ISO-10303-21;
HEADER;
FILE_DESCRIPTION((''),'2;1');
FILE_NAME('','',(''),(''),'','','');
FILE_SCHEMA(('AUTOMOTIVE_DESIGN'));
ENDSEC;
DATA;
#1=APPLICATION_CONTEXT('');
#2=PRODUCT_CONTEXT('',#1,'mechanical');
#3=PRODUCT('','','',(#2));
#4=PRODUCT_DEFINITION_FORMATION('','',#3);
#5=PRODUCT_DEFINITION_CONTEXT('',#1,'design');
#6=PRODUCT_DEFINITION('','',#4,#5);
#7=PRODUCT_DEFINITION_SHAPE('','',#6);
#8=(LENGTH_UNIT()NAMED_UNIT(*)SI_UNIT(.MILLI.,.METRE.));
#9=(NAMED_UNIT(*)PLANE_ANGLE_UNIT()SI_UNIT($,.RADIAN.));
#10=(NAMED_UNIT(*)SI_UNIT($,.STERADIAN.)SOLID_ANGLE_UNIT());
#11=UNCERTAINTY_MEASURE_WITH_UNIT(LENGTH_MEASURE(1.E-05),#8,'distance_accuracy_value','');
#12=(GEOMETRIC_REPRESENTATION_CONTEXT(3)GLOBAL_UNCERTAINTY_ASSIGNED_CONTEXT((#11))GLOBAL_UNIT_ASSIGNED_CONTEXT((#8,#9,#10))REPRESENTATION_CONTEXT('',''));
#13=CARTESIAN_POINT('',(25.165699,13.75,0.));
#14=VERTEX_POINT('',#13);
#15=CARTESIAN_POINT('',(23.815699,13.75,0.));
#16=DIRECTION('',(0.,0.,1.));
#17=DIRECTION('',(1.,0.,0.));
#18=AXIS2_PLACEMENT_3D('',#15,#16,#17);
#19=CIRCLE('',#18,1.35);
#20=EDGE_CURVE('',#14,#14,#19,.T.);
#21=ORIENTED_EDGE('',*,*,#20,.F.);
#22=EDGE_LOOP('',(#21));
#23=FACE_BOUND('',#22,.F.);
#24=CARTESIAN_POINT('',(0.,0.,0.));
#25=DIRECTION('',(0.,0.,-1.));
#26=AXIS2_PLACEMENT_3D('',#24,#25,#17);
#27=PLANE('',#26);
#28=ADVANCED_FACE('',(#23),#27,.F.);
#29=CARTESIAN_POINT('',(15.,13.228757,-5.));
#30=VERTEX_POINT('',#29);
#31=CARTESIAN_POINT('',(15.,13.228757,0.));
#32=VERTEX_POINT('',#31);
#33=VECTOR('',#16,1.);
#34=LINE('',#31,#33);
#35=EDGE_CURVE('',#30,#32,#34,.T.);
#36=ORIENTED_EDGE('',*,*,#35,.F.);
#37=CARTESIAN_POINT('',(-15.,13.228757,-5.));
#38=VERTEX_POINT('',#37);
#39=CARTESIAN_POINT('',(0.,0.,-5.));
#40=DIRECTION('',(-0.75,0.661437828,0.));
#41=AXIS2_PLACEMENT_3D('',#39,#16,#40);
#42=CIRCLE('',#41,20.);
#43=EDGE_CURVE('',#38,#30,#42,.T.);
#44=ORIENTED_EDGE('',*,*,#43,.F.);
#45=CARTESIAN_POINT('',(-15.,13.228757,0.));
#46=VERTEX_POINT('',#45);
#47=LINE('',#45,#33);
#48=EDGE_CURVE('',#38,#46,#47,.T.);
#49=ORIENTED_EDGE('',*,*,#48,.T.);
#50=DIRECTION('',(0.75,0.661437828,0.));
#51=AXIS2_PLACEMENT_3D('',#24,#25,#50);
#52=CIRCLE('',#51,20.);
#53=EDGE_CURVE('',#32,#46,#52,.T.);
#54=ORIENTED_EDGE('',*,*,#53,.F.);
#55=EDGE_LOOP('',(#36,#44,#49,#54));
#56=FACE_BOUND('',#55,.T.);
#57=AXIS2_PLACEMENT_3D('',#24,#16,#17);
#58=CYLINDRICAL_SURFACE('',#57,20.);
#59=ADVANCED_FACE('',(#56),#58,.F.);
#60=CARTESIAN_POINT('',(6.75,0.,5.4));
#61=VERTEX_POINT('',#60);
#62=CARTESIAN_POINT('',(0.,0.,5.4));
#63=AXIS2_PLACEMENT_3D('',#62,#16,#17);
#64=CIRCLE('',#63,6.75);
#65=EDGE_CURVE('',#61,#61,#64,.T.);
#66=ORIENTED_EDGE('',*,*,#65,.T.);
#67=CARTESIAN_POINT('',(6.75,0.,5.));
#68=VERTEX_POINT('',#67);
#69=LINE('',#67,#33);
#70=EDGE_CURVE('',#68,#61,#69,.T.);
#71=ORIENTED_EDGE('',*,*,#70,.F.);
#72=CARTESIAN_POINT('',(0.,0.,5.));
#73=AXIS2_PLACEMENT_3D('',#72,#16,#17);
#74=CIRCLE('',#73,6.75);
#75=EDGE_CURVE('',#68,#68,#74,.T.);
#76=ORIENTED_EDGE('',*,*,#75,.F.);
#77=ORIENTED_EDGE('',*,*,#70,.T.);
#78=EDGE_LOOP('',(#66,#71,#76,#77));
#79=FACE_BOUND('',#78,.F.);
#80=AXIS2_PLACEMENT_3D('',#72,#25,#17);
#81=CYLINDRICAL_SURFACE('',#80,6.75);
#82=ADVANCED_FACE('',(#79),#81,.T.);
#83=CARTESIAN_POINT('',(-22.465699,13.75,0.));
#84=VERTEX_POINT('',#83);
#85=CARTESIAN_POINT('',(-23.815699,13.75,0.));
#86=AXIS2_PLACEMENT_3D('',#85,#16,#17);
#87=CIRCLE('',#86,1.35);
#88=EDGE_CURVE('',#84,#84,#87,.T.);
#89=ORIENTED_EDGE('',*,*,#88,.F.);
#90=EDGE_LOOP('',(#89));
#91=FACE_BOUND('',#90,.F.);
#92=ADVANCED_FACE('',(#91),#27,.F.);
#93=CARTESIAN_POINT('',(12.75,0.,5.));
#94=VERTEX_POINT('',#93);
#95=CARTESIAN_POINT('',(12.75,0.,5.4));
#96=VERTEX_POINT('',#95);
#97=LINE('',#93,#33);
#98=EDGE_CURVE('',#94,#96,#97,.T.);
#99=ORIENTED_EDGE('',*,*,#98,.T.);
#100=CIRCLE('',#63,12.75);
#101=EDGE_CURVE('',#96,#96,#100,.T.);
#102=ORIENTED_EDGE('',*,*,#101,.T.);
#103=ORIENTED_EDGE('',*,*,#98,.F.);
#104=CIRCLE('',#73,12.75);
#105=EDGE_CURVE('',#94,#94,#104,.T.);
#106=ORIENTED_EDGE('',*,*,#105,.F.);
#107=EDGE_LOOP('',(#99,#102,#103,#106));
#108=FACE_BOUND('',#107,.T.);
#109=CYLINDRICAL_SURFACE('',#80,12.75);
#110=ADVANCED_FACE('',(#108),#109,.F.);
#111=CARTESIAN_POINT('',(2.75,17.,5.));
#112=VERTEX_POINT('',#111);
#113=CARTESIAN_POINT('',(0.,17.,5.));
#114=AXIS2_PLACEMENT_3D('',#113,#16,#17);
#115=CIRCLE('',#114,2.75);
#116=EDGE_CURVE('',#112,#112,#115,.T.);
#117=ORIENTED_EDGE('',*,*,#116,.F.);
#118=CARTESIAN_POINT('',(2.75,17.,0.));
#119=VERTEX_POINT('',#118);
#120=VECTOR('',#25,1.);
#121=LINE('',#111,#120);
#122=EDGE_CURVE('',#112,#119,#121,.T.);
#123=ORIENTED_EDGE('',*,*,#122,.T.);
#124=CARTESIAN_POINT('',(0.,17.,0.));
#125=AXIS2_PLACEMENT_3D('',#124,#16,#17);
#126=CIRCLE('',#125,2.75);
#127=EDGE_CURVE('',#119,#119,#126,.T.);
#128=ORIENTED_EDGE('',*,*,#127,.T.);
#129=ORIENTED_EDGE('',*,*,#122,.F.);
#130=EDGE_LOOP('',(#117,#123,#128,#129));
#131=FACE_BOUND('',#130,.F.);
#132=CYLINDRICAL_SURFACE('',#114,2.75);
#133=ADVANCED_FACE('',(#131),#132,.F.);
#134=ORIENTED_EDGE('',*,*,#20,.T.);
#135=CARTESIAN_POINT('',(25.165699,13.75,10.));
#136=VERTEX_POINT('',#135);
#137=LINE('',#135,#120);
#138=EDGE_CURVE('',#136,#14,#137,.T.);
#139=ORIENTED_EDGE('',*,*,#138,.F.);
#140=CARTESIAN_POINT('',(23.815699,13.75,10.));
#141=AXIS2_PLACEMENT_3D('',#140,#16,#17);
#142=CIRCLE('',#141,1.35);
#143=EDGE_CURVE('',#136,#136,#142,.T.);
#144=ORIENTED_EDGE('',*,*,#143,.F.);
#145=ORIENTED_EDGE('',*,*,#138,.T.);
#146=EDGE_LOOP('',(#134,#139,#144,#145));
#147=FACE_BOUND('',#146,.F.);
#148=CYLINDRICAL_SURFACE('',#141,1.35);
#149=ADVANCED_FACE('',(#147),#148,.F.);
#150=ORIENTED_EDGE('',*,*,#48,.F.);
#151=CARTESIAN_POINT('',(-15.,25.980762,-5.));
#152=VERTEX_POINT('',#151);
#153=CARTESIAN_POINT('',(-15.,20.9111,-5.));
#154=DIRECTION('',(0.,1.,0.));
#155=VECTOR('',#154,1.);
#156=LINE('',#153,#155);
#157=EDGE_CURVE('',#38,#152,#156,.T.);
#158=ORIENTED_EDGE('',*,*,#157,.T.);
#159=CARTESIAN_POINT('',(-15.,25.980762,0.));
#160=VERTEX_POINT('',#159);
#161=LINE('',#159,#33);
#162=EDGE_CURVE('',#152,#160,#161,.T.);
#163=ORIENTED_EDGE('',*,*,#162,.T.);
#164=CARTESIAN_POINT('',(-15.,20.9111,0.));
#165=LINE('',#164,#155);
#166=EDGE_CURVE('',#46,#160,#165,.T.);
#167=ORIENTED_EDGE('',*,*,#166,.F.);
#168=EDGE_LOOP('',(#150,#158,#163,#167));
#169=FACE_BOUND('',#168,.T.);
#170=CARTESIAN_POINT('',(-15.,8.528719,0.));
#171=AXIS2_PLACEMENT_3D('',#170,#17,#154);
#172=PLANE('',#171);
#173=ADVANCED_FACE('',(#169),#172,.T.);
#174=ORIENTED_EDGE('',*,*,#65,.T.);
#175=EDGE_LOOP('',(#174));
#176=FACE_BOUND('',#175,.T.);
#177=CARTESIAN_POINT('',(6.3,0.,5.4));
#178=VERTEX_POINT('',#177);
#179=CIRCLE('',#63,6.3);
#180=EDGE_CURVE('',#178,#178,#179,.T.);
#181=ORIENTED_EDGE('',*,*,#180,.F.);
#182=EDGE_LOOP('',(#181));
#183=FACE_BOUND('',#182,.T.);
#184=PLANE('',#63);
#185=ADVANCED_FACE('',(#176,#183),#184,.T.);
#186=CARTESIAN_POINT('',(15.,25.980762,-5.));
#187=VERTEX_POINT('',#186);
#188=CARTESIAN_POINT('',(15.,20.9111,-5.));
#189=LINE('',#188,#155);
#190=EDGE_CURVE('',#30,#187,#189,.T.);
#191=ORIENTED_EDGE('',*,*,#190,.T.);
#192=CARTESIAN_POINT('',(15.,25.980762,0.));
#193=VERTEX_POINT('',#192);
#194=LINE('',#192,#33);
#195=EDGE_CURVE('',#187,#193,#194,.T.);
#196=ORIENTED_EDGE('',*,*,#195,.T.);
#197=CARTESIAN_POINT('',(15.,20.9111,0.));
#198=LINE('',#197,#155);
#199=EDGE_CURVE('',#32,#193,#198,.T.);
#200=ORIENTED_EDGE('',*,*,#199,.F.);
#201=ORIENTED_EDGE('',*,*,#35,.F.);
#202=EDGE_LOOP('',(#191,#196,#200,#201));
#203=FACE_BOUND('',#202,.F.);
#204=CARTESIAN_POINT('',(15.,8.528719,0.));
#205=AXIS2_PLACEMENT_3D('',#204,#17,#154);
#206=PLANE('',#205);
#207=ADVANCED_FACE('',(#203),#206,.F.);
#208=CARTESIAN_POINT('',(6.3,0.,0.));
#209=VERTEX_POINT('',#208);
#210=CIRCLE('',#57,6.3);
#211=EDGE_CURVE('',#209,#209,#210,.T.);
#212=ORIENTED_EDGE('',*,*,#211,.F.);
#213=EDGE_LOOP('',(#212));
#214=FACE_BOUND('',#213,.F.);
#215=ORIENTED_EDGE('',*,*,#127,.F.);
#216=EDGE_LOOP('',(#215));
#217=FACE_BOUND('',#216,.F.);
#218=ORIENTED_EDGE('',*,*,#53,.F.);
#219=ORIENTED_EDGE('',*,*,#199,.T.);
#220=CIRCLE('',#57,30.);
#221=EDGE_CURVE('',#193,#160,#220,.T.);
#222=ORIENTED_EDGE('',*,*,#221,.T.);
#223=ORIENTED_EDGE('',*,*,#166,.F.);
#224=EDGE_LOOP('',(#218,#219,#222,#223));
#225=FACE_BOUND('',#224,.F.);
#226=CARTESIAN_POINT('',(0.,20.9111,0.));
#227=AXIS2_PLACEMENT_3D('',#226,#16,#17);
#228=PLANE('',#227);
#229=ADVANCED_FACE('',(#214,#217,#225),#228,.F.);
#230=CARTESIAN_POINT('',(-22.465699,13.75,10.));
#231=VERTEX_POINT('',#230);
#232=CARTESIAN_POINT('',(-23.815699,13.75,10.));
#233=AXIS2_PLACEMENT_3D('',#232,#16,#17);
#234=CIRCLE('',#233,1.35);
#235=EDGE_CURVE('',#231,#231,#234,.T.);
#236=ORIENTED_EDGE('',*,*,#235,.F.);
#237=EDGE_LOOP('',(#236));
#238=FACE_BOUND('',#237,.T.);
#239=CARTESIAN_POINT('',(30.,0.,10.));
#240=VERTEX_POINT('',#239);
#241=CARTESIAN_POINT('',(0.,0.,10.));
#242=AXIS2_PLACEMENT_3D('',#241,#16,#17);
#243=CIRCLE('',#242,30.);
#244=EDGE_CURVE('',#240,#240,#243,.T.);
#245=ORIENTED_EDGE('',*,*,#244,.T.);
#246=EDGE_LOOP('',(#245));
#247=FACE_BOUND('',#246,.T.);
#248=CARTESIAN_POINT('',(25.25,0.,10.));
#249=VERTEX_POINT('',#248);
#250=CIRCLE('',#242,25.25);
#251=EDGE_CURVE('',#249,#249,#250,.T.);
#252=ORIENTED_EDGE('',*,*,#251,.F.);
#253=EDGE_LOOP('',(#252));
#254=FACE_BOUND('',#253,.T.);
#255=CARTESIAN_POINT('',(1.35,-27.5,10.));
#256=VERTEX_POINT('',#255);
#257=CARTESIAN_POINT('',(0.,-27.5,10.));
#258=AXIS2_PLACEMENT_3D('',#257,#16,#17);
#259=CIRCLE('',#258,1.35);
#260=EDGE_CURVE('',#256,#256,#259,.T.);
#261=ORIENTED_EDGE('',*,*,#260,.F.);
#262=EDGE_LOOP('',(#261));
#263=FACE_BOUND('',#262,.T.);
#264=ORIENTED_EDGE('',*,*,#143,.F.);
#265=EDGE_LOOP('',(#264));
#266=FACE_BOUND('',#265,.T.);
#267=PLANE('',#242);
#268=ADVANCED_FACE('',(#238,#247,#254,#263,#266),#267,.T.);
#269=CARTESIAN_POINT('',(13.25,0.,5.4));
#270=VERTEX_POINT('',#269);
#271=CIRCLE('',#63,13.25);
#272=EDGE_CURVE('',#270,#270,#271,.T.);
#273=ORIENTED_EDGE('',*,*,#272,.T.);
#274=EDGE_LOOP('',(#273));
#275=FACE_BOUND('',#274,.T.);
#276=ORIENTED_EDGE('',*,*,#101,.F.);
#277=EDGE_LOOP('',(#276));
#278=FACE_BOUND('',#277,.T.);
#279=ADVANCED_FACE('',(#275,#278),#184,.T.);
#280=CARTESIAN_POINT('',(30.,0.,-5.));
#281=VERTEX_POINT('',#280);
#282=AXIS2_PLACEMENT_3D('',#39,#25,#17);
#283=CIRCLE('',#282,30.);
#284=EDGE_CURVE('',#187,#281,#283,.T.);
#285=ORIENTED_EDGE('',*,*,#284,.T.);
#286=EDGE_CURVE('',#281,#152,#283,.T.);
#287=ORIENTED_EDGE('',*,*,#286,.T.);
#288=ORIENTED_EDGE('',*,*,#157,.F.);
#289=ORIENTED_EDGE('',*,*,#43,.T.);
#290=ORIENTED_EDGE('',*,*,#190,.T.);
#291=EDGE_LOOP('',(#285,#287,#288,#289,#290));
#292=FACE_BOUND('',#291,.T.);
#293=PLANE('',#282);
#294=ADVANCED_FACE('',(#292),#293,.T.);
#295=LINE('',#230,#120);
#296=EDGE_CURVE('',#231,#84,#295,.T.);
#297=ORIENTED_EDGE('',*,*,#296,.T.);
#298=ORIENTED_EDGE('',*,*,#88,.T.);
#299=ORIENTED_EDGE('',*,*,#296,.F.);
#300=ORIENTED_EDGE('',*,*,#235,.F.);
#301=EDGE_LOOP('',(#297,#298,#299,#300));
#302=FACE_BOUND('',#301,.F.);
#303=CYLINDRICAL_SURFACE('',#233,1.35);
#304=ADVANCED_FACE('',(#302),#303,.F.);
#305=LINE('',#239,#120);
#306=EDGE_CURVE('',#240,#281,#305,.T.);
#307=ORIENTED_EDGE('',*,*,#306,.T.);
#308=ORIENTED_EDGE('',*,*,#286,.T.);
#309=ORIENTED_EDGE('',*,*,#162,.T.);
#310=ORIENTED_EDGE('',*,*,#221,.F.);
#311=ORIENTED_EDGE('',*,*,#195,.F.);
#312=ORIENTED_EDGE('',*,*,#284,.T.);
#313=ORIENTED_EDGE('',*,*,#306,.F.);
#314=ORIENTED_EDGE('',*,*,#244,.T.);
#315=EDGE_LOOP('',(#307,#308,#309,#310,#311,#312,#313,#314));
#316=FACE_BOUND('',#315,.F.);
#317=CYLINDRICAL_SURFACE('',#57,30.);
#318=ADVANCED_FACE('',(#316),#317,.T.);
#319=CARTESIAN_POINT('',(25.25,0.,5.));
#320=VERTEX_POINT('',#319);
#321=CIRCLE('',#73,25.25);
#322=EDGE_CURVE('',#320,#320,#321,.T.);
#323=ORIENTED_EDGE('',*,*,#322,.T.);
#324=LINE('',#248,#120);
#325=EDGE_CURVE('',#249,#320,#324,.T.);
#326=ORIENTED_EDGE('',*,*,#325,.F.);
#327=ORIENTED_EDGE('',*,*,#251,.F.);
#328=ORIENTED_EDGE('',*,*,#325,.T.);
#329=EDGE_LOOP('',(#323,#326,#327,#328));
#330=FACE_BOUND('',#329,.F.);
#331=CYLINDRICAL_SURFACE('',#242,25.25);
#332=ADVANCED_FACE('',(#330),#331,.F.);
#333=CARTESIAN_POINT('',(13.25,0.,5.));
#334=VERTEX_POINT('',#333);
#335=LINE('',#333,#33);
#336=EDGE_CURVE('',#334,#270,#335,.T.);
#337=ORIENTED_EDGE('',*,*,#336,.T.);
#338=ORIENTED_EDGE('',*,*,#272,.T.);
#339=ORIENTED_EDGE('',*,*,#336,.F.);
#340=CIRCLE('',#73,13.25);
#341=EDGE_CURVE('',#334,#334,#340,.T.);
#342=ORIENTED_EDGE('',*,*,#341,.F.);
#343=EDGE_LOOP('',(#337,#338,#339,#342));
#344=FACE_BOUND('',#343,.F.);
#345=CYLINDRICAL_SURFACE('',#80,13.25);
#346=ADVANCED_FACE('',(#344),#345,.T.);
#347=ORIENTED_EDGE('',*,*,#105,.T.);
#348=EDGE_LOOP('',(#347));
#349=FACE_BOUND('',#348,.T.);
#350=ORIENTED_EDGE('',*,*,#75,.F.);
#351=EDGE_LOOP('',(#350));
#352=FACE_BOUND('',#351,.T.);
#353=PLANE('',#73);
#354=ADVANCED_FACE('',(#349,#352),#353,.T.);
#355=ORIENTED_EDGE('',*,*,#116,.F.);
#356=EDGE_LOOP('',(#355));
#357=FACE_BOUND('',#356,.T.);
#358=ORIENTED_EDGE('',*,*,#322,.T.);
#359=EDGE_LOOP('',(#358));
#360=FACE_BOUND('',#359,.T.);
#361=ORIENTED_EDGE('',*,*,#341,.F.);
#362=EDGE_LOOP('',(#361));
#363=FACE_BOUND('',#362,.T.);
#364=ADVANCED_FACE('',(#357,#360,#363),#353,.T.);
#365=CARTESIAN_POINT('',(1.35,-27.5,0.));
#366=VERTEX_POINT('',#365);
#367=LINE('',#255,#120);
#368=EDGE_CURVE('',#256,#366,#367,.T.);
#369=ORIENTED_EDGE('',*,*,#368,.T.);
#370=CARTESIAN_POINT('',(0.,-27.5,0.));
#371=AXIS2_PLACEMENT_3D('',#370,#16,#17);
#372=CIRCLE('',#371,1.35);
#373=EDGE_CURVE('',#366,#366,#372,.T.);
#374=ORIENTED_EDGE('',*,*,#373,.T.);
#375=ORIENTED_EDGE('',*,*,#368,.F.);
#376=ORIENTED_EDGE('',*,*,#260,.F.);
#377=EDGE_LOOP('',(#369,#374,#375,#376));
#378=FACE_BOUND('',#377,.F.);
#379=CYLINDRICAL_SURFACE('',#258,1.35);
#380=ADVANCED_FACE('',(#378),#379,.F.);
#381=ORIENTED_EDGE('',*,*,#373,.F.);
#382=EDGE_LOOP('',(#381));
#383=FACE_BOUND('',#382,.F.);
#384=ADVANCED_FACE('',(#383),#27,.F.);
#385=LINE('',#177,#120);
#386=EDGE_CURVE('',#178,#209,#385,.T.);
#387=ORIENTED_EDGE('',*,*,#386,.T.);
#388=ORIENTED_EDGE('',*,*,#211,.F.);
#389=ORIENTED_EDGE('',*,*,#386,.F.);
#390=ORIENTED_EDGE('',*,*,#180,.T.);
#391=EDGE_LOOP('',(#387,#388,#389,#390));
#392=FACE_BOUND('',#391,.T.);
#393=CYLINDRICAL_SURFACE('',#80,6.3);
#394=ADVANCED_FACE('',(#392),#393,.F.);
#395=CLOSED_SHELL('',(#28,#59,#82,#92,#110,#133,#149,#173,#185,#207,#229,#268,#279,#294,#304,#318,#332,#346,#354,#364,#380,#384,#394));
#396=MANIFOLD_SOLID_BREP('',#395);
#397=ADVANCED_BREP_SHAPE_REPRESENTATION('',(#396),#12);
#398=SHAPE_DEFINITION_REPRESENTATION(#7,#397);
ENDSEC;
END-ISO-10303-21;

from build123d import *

# Parameters (mm, degrees)
F0_R      = 30
F1_DEPTH  = 10
F2_R      = 25.25
F3_DEPTH  = 5
F4_R      = 6.3
F5_DEPTH  = 10.001
F6_R      = 1.35
F7_DEPTH  = 10.001
F8_R      = 2.75
F9_DEPTH  = 5.001
F10_R     = 30
F10_R_2   = 20
F11_DEPTH = 5
F12_W     = 30
F12_H     = 24.7647633499
F13_DEPTH = 5
F14_R     = 13.25
F14_R_2   = 12.75
F14_R_3   = 6.75
F14_R_4   = 6.3
F15_DEPTH = 0.4


with BuildPart() as f1:
    # F0 (on Top) → F1 (new body)
    with BuildSketch(Plane.XY):
        Circle(F0_R)
    extrude(amount=F1_DEPTH)

    # F2 (on face) → F3 (cut)
    with BuildSketch(Plane.XY.offset(10)):
        Circle(F2_R)
    extrude(amount=-F3_DEPTH, mode=Mode.SUBTRACT)

    # F4 (on Top) → F5 (cut, through all)
    with BuildSketch(Plane.XY):
        Circle(F4_R)
    extrude(amount=F5_DEPTH, mode=Mode.SUBTRACT)

    # F6 (on face) → F7 (cut, through all)
    with BuildSketch(Plane.XY.offset(10)):
        with Locations((23.8156986041, 13.75)):
            Circle(F6_R)
        with Locations((0, -27.5)):
            Circle(F6_R)
        with Locations((-23.8156986041, 13.75)):
            Circle(F6_R)
    extrude(amount=-F7_DEPTH, mode=Mode.SUBTRACT)

    # F8 (on face) → F9 (cut, through all)
    with BuildSketch(Plane.XY.offset(5)):
        with Locations((0, 17)):
            Circle(F8_R)
    extrude(amount=-F9_DEPTH, mode=Mode.SUBTRACT)

    # F10 (on face) → F11 (join)
    with BuildSketch(Plane(origin=(0, 0, 0), x_dir=(1, 0, 0), z_dir=(0, 0, -1))):
        Circle(F10_R)
        Circle(F10_R_2, mode=Mode.SUBTRACT)
    extrude(amount=F11_DEPTH)

    # F12 (on Top) → F13 (cut)
    with BuildSketch(Plane.XY):
        with Locations((0, 20.9111002412)):
            Rectangle(F12_W, F12_H)
    extrude(amount=-F13_DEPTH, mode=Mode.SUBTRACT)

    # F14 (on face) → F15 (join)
    with BuildSketch(Plane.XY.offset(5)):
        Circle(F14_R)
        Circle(F14_R_2, mode=Mode.SUBTRACT)
        Circle(F14_R_3)
        Circle(F14_R_4, mode=Mode.SUBTRACT)
    extrude(amount=F15_DEPTH)


solid = f1.part
